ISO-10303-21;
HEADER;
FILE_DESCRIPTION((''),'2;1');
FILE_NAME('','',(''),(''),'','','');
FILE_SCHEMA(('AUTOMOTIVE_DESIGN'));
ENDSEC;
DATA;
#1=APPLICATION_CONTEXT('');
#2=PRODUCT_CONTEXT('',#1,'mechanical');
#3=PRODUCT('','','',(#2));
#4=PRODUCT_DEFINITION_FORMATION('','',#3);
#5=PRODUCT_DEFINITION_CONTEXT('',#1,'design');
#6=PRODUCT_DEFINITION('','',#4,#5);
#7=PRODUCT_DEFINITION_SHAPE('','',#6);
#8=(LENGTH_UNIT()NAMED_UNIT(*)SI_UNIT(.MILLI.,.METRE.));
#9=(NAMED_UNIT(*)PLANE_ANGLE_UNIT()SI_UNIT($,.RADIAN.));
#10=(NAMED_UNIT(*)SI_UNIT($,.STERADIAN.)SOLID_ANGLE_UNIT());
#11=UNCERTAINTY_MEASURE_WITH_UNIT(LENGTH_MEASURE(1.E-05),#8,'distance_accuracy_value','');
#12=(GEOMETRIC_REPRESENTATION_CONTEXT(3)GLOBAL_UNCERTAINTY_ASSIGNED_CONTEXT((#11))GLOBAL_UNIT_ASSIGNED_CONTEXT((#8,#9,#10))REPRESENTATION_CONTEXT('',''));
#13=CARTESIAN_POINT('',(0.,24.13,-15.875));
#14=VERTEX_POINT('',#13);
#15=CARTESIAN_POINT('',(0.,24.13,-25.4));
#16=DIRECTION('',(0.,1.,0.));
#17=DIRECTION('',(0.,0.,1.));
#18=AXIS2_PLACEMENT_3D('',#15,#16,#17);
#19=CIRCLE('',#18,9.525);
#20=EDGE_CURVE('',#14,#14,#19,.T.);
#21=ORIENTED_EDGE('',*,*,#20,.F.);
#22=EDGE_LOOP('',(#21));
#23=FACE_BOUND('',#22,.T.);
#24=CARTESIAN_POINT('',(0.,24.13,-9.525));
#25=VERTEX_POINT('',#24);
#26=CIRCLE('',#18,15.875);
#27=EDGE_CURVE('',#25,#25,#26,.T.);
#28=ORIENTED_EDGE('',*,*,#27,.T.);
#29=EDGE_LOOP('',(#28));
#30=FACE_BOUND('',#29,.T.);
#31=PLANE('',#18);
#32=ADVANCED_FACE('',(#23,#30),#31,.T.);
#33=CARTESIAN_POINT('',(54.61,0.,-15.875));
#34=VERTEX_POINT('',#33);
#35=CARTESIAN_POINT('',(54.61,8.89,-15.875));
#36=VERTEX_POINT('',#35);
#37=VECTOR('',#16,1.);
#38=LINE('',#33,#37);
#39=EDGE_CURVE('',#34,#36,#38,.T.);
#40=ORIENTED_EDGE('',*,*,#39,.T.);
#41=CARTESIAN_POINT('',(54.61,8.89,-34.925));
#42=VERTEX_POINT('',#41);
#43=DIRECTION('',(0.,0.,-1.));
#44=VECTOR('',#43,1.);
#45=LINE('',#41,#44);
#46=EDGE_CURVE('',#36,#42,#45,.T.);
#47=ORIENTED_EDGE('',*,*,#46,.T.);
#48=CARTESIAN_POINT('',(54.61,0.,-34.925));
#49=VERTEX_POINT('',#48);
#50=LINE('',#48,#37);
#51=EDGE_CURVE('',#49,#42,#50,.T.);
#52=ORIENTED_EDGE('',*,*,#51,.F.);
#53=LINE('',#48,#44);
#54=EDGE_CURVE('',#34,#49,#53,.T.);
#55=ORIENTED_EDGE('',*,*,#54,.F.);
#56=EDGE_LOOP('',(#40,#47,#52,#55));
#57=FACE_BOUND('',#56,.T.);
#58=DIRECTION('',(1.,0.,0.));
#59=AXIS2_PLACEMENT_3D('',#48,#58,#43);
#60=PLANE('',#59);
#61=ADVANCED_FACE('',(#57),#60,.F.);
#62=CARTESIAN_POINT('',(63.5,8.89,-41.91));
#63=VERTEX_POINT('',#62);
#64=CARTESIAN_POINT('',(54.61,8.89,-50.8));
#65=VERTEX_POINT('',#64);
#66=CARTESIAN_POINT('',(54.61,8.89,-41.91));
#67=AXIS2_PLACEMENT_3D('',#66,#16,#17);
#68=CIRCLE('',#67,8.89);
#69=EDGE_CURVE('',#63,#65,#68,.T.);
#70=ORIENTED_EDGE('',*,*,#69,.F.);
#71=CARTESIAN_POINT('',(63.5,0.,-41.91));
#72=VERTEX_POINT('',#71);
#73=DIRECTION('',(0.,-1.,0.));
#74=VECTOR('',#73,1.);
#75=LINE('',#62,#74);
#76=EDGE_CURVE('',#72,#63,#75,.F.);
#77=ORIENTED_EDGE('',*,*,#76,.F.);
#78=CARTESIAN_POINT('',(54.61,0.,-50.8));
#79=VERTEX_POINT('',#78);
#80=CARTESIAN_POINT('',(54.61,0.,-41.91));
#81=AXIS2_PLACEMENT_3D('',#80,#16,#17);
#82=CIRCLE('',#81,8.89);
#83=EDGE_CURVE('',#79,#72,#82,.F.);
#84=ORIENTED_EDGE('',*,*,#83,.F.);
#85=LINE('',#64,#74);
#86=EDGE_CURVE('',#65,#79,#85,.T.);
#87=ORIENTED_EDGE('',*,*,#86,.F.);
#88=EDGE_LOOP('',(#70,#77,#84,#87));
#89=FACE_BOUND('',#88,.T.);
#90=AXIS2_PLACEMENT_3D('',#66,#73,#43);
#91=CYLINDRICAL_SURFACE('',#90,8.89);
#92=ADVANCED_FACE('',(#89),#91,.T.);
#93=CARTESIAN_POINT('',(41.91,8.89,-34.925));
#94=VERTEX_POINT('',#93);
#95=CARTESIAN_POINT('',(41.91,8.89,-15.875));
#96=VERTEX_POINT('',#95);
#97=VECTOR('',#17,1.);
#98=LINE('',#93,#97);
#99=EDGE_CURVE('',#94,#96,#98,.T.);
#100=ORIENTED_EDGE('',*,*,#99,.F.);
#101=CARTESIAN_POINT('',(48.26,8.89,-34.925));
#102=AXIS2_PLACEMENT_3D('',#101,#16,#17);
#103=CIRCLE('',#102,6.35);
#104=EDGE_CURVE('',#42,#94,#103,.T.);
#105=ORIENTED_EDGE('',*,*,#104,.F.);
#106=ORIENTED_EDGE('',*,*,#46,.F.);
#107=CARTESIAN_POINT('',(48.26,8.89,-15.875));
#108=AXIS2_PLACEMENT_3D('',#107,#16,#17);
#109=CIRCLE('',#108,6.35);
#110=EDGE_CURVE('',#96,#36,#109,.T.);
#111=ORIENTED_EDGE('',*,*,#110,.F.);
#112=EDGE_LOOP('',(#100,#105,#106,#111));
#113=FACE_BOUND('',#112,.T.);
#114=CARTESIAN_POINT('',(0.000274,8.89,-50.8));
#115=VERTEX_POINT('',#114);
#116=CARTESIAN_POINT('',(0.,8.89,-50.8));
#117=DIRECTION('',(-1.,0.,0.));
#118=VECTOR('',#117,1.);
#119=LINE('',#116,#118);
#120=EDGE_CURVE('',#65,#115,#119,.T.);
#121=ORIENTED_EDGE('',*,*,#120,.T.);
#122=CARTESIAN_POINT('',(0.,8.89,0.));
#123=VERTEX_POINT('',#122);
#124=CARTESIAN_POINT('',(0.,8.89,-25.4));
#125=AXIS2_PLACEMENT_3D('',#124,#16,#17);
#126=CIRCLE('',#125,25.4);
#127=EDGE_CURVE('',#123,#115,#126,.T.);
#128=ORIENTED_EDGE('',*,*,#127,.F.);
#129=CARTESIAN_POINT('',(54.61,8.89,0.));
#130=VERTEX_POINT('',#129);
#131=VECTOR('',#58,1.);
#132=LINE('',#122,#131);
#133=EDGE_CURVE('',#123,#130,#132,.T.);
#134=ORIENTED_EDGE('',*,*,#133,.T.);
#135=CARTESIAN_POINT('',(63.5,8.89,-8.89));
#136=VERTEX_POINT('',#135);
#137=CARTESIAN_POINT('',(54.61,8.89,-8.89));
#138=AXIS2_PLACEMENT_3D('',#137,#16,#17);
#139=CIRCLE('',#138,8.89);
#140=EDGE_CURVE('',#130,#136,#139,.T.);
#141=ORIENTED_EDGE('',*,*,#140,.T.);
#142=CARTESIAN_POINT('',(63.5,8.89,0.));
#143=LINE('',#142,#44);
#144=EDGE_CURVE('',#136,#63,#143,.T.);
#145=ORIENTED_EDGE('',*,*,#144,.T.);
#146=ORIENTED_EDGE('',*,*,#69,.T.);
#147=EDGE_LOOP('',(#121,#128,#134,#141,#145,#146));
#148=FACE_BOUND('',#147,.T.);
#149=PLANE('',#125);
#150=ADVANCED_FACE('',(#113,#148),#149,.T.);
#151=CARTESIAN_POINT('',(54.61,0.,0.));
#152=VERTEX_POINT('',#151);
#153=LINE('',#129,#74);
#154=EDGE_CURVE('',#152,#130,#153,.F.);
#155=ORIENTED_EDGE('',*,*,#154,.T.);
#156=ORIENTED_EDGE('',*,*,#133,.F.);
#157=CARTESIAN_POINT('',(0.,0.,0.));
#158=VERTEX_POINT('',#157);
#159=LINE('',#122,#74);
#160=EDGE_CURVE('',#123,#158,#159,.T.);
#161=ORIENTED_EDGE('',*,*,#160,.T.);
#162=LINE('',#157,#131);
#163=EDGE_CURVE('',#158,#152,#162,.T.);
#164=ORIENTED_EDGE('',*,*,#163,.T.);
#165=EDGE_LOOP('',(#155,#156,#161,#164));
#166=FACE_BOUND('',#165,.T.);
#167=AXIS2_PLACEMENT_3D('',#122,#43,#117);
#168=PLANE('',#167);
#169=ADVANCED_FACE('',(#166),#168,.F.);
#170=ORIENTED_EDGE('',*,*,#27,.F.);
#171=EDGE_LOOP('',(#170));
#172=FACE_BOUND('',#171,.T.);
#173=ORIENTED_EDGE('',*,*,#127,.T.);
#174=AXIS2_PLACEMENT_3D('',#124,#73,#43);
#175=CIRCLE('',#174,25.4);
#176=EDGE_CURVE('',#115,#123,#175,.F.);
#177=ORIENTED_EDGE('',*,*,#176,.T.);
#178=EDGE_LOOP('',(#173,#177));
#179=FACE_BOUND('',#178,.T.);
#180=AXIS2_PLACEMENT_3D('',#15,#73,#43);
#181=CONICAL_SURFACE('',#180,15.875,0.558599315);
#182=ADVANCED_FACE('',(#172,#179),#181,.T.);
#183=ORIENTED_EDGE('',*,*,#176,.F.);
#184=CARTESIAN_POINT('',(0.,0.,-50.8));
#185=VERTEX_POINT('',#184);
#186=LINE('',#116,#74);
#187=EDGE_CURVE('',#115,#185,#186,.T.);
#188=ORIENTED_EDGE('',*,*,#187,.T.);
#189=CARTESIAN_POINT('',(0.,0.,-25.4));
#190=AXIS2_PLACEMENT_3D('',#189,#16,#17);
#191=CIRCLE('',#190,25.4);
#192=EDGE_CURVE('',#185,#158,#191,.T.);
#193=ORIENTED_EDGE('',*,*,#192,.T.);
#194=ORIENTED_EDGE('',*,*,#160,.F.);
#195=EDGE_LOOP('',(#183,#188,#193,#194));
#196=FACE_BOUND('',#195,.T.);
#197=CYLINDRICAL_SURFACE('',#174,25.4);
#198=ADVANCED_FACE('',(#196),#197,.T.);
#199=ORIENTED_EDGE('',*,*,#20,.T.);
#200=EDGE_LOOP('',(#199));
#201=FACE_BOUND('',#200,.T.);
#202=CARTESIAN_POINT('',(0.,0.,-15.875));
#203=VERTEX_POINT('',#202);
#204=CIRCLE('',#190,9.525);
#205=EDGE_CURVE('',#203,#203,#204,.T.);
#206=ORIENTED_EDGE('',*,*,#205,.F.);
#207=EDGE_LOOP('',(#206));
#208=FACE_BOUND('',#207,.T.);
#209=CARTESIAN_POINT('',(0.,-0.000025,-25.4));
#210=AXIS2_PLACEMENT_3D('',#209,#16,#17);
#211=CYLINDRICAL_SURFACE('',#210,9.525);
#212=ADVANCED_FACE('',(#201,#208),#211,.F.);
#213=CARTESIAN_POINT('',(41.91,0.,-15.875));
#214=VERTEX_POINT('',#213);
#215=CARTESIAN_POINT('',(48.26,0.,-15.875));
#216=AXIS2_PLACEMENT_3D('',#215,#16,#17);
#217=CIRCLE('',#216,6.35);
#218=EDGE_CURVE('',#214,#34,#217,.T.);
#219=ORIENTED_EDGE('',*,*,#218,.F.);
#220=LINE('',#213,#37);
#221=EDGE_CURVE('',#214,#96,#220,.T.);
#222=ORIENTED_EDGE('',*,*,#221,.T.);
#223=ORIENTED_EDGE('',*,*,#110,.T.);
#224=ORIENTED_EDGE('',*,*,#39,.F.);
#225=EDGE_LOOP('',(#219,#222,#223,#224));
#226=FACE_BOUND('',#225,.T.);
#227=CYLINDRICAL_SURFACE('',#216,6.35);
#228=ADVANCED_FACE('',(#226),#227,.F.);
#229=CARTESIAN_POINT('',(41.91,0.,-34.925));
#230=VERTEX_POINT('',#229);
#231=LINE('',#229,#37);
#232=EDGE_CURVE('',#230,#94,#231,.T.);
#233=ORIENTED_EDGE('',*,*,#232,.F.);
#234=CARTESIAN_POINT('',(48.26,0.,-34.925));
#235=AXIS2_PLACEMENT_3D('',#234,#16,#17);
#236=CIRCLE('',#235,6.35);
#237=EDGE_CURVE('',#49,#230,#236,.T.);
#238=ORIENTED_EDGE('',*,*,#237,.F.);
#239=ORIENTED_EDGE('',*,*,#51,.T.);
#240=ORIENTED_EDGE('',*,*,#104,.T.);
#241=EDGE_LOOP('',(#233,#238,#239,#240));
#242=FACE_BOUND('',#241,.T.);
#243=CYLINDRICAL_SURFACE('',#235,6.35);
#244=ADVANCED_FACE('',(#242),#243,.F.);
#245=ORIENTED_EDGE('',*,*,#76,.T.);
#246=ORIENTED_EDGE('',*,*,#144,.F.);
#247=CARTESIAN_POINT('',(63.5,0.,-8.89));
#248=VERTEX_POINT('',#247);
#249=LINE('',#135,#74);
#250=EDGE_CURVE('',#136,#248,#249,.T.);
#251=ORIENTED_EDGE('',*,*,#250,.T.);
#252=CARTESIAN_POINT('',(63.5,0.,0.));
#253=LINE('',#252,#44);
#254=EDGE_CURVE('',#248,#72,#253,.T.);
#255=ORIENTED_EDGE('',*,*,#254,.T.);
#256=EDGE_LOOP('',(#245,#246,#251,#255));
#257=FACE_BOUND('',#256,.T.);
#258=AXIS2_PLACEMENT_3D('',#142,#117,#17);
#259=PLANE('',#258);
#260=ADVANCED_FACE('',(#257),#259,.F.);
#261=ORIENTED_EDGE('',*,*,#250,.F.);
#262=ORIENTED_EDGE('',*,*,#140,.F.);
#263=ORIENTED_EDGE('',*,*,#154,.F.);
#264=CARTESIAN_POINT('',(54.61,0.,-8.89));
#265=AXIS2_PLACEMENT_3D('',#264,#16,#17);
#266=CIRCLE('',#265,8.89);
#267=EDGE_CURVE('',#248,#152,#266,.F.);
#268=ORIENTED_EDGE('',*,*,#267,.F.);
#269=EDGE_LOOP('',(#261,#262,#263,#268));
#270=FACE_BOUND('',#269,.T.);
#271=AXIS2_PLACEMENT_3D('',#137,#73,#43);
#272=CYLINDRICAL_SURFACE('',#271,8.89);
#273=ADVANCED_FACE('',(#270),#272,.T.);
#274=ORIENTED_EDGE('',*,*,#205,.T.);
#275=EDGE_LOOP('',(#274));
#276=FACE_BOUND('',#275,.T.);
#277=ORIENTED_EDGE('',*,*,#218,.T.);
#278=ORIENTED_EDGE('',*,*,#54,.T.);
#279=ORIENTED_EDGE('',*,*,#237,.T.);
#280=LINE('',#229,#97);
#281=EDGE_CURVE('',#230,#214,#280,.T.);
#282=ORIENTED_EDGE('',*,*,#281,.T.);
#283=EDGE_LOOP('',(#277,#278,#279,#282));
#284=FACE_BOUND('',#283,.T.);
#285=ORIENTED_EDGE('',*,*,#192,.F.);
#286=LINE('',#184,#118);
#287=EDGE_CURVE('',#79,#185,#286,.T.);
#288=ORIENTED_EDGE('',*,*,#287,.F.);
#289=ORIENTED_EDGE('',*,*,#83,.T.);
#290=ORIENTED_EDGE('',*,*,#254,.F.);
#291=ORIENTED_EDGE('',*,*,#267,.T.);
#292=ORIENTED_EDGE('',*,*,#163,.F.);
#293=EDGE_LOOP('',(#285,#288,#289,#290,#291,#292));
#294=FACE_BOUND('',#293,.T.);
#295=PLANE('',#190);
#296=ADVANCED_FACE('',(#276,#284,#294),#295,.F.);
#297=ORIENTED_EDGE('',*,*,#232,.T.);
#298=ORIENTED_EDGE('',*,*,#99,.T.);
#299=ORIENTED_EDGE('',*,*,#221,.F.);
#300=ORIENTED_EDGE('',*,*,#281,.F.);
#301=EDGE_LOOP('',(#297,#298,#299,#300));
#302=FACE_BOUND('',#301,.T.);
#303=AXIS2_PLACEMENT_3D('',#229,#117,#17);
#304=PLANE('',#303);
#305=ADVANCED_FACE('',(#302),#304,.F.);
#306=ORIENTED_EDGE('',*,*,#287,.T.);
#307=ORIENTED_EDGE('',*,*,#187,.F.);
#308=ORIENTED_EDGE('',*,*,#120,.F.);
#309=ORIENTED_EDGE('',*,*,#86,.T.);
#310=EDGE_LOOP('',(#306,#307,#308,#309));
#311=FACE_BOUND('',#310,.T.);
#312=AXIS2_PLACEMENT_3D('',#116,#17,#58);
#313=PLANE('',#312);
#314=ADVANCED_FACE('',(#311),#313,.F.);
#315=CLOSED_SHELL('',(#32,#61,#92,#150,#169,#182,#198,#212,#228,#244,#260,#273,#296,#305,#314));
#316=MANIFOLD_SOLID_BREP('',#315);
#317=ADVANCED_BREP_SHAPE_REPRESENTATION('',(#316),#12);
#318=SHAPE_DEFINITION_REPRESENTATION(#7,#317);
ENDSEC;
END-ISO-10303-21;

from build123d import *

# Parameters (mm, degrees)
BOSS_EXTRUDE1_DEPTH = 8.89
CUT_EXTRUDE2_DEPTH  = 8.89
FILLET1_R           = 8.89
SKETCH4_R           = 25.4
SKETCH11_R          = 15.875
SKETCH12_R          = 9.525
CUT_EXTRUDE3_DEPTH  = 25.13


with BuildPart() as part:
    # Sketch1 → Boss-Extrude1 (new body)
    with BuildSketch(Plane(origin=(0, 0, 0), x_dir=(1, 0, 0), z_dir=(0, 1, 0))):
        with BuildLine():
            Line((0, 0), (63.5, 0))
            Line((63.5, 0), (63.5, 50.8))
            Line((63.5, 50.8), (0, 50.8))
            ThreePointArc((0, 50.8), (-25.4, 25.4), (0, 0))
        make_face()
    extrude(amount=BOSS_EXTRUDE1_DEPTH)

    # Sketch2 → Cut-Extrude2 (cut)
    with BuildSketch(Plane(origin=(0, 8.89, 0), x_dir=(1, 0, 0), z_dir=(0, 1, 0))):
        with BuildLine():
            Line((41.91, 34.925), (41.91, 15.875))
            ThreePointArc((41.91, 15.875), (48.26, 9.525), (54.61, 15.875))
            Line((54.61, 15.875), (54.61, 34.925))
            ThreePointArc((54.61, 34.925), (48.26, 41.275), (41.91, 34.925))
        make_face()
    extrude(amount=-CUT_EXTRUDE2_DEPTH, mode=Mode.SUBTRACT)

    # Fillet1
    fillet1_edges = [part.edges().sort_by_distance(p)[0] for p in [
        (63.5, 4.445, -50.8),
        (63.5, 4.445, 0),
    ]]
    fillet(fillet1_edges, radius=FILLET1_R)

    # Sketch4 → Loft2 section 0
    with BuildSketch(Plane(origin=(0, 8.89, 0), x_dir=(1, 0, 0), z_dir=(0, 1, 0))):
        with Locations((0, 25.4)):
            Circle(SKETCH4_R)
    # Sketch11 → Loft2 section 1
    with BuildSketch(Plane(origin=(0, 24.13, 0), x_dir=(1, 0, 0), z_dir=(0, 1, 0))):
        with Locations((0, 25.4)):
            Circle(SKETCH11_R)
    loft()

    # Sketch12 → Cut-Extrude3 (cut, through all)
    with BuildSketch(Plane(origin=(0, 24.13, 0), x_dir=(1, 0, 0), z_dir=(0, 1, 0))):
        with Locations(Location((0, 25.4, 0), (0, 0, 270))):  # turned: the seam where the file's is
            Circle(SKETCH12_R)
    extrude(amount=-CUT_EXTRUDE3_DEPTH, mode=Mode.SUBTRACT)


solid = part.part
